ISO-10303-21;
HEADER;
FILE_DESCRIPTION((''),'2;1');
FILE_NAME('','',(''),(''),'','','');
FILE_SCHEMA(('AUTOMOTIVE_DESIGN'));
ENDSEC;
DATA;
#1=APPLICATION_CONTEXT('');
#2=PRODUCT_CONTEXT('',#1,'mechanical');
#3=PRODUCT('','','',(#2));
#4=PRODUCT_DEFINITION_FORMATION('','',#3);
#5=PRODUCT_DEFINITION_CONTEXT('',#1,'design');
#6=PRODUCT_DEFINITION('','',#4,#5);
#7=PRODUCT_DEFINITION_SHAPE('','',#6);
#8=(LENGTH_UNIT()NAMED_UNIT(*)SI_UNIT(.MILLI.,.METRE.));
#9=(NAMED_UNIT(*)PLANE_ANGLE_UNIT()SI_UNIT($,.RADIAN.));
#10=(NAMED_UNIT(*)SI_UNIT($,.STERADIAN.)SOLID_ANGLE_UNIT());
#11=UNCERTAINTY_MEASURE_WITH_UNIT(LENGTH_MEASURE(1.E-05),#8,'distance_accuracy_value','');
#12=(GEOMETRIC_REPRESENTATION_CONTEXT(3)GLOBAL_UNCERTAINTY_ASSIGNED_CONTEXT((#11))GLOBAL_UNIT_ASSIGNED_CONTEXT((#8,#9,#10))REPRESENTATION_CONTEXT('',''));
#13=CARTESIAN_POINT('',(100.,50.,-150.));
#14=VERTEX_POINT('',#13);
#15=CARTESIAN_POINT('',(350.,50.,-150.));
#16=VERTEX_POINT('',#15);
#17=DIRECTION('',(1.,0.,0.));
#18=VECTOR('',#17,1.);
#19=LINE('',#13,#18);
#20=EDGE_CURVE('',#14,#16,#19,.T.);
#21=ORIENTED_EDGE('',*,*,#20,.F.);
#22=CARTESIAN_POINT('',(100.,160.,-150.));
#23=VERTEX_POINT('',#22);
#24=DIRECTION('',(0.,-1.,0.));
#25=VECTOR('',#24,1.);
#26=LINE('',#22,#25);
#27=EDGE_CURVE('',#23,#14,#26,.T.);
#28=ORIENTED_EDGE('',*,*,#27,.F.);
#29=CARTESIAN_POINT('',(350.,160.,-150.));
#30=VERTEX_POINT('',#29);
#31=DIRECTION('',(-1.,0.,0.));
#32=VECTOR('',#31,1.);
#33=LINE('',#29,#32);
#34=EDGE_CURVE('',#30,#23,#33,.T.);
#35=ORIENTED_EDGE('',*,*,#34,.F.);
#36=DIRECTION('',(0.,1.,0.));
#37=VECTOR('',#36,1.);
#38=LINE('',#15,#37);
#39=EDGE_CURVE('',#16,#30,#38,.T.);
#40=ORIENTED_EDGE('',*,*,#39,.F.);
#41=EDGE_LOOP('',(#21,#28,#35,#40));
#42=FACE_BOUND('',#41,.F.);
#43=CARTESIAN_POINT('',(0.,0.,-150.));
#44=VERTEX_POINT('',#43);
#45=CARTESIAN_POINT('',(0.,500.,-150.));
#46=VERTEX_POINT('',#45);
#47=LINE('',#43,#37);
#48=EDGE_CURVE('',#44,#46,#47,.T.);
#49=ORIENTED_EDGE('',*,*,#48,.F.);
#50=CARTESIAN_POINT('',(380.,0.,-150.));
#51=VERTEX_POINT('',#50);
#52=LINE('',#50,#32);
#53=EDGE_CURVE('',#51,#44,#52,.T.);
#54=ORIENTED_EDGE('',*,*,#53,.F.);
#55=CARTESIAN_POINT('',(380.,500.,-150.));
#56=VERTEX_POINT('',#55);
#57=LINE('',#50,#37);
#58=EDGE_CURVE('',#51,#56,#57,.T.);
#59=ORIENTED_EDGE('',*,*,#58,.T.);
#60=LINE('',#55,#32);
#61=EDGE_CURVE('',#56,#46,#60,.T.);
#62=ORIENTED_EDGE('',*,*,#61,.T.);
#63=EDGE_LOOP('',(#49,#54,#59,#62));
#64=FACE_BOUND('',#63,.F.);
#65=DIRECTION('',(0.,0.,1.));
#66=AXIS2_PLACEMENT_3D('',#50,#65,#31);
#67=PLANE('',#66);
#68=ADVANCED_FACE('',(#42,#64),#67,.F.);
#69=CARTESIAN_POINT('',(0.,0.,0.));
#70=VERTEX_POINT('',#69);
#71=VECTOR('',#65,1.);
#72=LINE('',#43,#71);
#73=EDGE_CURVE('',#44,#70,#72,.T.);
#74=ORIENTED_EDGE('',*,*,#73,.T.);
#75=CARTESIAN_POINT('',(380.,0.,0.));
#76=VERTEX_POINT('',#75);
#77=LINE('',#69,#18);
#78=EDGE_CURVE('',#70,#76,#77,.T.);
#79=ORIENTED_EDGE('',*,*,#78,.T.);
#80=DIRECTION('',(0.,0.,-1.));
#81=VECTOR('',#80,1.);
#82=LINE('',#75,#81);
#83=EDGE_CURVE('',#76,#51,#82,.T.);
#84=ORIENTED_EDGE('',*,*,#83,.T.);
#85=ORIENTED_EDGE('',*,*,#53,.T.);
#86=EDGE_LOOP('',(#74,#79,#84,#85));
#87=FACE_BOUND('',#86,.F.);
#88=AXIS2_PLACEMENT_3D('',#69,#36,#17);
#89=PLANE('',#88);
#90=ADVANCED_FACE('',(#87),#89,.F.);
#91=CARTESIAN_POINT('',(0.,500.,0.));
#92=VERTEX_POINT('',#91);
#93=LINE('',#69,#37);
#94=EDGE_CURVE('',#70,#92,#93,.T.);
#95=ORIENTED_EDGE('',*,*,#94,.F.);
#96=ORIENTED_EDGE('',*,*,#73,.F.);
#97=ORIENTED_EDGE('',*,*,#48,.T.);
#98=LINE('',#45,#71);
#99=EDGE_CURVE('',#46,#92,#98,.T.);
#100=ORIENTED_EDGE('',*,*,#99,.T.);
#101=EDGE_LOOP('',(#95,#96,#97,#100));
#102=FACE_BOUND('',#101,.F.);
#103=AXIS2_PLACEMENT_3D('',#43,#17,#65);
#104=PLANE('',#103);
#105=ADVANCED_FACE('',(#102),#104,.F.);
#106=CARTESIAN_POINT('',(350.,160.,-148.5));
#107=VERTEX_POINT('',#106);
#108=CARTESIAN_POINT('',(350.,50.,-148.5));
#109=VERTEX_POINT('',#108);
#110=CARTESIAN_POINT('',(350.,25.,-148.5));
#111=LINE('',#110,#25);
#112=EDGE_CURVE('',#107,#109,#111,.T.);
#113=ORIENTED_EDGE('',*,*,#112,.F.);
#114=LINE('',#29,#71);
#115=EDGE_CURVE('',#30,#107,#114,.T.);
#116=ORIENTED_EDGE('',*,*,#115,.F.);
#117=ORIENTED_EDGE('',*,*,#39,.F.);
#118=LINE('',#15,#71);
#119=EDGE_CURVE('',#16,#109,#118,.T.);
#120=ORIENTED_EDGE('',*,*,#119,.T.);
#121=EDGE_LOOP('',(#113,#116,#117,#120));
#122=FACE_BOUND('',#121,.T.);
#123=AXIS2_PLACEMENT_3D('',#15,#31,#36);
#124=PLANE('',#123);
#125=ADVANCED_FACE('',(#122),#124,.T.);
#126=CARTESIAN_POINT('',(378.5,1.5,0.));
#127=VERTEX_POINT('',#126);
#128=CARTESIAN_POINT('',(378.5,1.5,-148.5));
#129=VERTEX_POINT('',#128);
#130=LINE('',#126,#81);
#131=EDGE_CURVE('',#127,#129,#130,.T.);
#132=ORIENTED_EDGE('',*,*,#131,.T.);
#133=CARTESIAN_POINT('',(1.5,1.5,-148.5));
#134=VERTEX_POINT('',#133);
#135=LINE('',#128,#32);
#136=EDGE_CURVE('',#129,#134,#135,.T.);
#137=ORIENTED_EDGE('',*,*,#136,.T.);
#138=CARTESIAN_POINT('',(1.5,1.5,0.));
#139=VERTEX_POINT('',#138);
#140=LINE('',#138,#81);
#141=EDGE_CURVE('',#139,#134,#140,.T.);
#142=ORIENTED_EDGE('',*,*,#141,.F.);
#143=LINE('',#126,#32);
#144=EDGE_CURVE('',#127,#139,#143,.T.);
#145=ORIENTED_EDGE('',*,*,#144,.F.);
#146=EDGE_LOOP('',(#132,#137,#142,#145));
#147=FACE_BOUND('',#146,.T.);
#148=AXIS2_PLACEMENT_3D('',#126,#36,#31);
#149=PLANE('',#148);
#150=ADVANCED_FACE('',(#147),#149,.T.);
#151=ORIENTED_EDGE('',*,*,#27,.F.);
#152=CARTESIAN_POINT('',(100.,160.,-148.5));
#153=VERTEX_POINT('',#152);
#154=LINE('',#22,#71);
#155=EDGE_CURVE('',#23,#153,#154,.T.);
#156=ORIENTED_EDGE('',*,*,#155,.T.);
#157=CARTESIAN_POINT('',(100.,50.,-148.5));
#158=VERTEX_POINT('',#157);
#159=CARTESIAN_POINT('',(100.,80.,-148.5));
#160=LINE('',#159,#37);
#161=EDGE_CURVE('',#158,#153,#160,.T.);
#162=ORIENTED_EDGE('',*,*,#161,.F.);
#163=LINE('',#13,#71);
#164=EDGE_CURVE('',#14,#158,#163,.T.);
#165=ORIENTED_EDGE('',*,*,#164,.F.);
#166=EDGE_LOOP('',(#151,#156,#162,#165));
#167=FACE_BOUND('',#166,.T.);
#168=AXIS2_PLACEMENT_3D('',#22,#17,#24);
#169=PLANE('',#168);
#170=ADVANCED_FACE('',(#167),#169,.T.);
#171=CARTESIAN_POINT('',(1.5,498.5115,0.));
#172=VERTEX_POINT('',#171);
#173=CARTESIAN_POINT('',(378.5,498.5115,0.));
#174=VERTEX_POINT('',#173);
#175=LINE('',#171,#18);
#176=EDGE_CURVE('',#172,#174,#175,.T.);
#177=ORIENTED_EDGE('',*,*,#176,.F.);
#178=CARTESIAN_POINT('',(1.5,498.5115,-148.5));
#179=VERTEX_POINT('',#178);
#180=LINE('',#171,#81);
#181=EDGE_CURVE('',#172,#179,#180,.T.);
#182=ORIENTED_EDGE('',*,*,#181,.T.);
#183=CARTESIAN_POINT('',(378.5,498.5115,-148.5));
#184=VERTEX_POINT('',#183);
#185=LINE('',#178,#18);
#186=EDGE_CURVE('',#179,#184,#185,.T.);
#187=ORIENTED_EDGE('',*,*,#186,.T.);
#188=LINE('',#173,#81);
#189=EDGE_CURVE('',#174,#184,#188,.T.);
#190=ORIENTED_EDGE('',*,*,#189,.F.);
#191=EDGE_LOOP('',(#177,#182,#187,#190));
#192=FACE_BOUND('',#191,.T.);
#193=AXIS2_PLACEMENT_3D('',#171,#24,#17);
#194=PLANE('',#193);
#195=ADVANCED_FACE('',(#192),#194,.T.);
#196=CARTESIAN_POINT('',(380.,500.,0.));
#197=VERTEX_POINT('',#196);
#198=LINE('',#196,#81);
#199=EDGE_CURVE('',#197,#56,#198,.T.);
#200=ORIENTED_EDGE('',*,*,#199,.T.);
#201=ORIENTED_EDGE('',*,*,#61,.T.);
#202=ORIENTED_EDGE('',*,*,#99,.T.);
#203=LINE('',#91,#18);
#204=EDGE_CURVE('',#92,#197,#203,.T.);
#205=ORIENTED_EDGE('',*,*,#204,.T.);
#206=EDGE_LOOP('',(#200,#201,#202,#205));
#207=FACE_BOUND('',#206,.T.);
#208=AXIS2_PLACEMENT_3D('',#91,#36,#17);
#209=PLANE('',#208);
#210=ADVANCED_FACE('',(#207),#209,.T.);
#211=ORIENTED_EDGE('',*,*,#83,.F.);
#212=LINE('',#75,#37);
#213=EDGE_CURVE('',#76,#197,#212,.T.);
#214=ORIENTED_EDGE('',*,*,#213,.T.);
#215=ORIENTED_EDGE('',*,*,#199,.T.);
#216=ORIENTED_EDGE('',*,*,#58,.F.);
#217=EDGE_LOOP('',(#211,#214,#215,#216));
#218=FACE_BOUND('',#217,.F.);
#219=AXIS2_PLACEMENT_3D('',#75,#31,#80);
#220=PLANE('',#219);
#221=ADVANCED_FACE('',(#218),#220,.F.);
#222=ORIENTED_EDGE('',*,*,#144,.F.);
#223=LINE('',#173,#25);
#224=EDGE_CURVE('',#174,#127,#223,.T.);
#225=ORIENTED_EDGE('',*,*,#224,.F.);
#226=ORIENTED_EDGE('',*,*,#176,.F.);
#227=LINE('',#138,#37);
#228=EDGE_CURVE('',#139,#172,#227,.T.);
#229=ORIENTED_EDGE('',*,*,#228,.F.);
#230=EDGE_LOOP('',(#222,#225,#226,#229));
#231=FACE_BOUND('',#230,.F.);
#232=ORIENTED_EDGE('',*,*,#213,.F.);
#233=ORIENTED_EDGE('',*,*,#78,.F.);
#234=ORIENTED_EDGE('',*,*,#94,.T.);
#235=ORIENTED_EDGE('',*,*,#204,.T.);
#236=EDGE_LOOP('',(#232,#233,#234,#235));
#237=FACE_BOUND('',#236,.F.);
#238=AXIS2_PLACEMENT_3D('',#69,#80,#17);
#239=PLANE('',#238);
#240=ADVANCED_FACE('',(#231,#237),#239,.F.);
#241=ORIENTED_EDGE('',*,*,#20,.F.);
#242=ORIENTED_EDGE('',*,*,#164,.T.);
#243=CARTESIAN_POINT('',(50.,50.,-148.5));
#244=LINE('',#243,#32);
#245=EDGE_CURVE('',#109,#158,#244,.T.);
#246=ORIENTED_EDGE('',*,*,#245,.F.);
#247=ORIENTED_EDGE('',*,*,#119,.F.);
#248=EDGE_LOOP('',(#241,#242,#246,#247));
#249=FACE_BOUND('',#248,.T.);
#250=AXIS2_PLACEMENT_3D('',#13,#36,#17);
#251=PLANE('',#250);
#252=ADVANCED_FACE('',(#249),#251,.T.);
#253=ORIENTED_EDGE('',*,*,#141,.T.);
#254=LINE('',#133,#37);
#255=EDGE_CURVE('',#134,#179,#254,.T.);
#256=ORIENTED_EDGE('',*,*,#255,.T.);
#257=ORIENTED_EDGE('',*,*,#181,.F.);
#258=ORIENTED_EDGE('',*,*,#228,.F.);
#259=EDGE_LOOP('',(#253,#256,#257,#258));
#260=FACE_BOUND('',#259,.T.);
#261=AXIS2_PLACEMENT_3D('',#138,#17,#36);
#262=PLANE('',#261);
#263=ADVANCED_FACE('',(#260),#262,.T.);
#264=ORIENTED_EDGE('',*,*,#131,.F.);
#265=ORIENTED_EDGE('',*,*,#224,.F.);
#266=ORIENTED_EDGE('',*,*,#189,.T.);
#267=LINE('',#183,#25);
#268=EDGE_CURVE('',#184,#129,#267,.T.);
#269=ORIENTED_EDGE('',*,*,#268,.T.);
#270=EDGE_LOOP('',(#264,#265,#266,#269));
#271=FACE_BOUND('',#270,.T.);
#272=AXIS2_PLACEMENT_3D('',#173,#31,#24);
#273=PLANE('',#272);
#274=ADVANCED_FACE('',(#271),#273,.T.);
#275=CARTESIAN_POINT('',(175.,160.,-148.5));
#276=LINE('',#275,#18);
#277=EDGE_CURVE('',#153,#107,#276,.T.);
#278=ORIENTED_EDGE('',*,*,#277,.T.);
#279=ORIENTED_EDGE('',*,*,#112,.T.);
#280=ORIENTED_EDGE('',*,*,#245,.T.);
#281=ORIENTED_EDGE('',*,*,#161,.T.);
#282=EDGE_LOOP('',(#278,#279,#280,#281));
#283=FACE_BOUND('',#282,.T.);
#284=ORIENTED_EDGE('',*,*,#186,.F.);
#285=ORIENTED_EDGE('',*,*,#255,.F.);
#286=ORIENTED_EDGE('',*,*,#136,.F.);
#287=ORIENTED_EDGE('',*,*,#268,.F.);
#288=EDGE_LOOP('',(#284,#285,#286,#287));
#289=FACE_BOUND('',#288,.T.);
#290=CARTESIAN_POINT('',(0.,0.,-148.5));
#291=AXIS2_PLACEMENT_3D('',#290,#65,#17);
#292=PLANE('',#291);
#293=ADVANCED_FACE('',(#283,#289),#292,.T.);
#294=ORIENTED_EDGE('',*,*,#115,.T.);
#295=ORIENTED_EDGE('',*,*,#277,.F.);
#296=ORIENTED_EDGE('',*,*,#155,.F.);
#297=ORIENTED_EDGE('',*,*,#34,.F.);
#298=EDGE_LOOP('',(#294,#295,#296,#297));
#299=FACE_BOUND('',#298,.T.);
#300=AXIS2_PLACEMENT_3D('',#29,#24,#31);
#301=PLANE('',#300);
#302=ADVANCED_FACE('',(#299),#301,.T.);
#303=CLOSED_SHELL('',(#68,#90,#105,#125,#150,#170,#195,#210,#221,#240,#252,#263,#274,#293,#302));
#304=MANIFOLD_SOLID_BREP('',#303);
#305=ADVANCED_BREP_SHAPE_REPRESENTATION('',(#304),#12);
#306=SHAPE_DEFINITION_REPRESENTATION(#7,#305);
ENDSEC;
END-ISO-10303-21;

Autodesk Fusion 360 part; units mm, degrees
sketch "スケッチ1" plane through (0, 0, 0) normal (0, 1, 0) x (1, 0, 0)
  line L0 (0, 0) -> (380, 0)
  line L1 (380, 0) -> (380, 150)
  line L2 (380, 150) -> (0, 150)
  line L3 (0, 150) -> (0, 0)
  dimension "d1" = 380
  dimension "d2" = 150
extrude "押し出し1" add sketch "スケッチ1" along normal blind 500
sketch "スケッチ2" plane through (0, 0, 0) normal (0, 0, 1) x (1, 0, 0)
  line L0 (0, 0) -> (380, 0)
  line L1 (380, 0) -> (380, 500)
  line L2 (380, 500) -> (0, 500)
  line L3 (0, 500) -> (0, 0)
sketch "スケッチ3" plane through (0, 0, 0) normal (0, 0, 1) x (1, 0, 0)
  line L0 (380, 500) -> (0, 500)
  line L1 (380.7982, 500) -> (380.7982, 498.5)
  line L2 (0, 500) -> (0, 0)
  line L3 (0, 471) -> (1.5, 471)
  line L4 (1.5, 471) -> (1.5, 502)
  line L5 (380, 0) -> (380, 500)
  line L6 (380, 50) -> (378.5, 50)
  line L7 (378.5, 50) -> (377, 50)
  line L8 (0, 0) -> (380, 0)
  line L9 (361, 0) -> (361, 1.5)
  line L10 (378.5, 1.5) -> (1.5, 1.5)
  line L11 (1.5, 1.5) -> (1.5, 498.5115)
  line L12 (1.5, 498.5115) -> (378.5, 498.5115)
  line L13 (378.5, 498.5115) -> (378.5, 1.5)
  dimension "d5" = 1.5
  dimension "d6" = 1.5
  dimension "d7" = 1.5
  dimension "d10" = 1.5
extrude "押し出し2" cut sketch "スケッチ3" against normal blind 148.5 contours L4 L10 L11 L12 L13
sketch "スケッチ4" plane through (0, 0, -150) normal (0, 0, -1) x (-1, 0, 0)
  line L0 (-380, 0) -> (0, 0)
  line L1 (0, 0) -> (0, 500)
  line L2 (0, 500) -> (-380, 500)
  line L3 (-380, 500) -> (-380, 0)
  line L4 (0, 0) -> (-100, 0)
  line L5 (-100, 0) -> (-100, 50)
  line L6 (-100, 50) -> (-350, 50)
  line L7 (-350, 50) -> (-350, 160)
  line L8 (-350, 160) -> (-100, 160)
  line L9 (-100, 160) -> (-100, 50)
  dimension "d13" = 100
  dimension "d14" = 50
  dimension "d15" = 250
  dimension "d16" = 110
extrude "押し出し3" cut sketch "スケッチ4" against normal blind 30 contours L6 L7 L8 L9
sketch "スケッチ5" plane through (0, 0, 0) normal (0, 0, 1) x (1, 0, 0)
  curve L0
  curve L1
  curve L2
  curve L3
  curve A0
  dimension "d19" = 65
  dimension "d24" = 82
sketch "スケッチ6" plane through (0, 0, 0) normal (0, 0, 1) x (1, 0, 0)
sketch "スケッチ7" plane through (0, 0, 0) normal (0, 1, 0) x (1, 0, 0)
sketch "スケッチ8" plane through (0, 0, 0) normal (0, 0, 1) x (1, 0, 0)
  curve L0
  curve L1
  line L2 (378.5, 1.5) -> (1.5, 1.5)
  curve L3
  curve L4
  curve L5
  curve L6
  curve L7
  curve A0
  point P0 (83.5, 1.5)
  dimension "d26" = 20
  dimension "d27" = 20
  dimension "d28" = 30
  dimension "d29" = 30
  dimension "d30" = 50
sketch "スケッチ9" plane through (0, 0, 0) normal (0, 0, 1) x (1, 0, 0)
  curve L0
  curve L1
  curve L2
  curve L3
  point P0 (21.5, 1.5)
  point P1 (51.5, 1.5)
sketch "スケッチ10" plane through (0, 0, 0) normal (0, 0, 1) x (1, 0, 0)
  curve L0
  curve L1
  curve L2
  curve L3
  dimension "d31" = 100
  dimension "d32" = 80
